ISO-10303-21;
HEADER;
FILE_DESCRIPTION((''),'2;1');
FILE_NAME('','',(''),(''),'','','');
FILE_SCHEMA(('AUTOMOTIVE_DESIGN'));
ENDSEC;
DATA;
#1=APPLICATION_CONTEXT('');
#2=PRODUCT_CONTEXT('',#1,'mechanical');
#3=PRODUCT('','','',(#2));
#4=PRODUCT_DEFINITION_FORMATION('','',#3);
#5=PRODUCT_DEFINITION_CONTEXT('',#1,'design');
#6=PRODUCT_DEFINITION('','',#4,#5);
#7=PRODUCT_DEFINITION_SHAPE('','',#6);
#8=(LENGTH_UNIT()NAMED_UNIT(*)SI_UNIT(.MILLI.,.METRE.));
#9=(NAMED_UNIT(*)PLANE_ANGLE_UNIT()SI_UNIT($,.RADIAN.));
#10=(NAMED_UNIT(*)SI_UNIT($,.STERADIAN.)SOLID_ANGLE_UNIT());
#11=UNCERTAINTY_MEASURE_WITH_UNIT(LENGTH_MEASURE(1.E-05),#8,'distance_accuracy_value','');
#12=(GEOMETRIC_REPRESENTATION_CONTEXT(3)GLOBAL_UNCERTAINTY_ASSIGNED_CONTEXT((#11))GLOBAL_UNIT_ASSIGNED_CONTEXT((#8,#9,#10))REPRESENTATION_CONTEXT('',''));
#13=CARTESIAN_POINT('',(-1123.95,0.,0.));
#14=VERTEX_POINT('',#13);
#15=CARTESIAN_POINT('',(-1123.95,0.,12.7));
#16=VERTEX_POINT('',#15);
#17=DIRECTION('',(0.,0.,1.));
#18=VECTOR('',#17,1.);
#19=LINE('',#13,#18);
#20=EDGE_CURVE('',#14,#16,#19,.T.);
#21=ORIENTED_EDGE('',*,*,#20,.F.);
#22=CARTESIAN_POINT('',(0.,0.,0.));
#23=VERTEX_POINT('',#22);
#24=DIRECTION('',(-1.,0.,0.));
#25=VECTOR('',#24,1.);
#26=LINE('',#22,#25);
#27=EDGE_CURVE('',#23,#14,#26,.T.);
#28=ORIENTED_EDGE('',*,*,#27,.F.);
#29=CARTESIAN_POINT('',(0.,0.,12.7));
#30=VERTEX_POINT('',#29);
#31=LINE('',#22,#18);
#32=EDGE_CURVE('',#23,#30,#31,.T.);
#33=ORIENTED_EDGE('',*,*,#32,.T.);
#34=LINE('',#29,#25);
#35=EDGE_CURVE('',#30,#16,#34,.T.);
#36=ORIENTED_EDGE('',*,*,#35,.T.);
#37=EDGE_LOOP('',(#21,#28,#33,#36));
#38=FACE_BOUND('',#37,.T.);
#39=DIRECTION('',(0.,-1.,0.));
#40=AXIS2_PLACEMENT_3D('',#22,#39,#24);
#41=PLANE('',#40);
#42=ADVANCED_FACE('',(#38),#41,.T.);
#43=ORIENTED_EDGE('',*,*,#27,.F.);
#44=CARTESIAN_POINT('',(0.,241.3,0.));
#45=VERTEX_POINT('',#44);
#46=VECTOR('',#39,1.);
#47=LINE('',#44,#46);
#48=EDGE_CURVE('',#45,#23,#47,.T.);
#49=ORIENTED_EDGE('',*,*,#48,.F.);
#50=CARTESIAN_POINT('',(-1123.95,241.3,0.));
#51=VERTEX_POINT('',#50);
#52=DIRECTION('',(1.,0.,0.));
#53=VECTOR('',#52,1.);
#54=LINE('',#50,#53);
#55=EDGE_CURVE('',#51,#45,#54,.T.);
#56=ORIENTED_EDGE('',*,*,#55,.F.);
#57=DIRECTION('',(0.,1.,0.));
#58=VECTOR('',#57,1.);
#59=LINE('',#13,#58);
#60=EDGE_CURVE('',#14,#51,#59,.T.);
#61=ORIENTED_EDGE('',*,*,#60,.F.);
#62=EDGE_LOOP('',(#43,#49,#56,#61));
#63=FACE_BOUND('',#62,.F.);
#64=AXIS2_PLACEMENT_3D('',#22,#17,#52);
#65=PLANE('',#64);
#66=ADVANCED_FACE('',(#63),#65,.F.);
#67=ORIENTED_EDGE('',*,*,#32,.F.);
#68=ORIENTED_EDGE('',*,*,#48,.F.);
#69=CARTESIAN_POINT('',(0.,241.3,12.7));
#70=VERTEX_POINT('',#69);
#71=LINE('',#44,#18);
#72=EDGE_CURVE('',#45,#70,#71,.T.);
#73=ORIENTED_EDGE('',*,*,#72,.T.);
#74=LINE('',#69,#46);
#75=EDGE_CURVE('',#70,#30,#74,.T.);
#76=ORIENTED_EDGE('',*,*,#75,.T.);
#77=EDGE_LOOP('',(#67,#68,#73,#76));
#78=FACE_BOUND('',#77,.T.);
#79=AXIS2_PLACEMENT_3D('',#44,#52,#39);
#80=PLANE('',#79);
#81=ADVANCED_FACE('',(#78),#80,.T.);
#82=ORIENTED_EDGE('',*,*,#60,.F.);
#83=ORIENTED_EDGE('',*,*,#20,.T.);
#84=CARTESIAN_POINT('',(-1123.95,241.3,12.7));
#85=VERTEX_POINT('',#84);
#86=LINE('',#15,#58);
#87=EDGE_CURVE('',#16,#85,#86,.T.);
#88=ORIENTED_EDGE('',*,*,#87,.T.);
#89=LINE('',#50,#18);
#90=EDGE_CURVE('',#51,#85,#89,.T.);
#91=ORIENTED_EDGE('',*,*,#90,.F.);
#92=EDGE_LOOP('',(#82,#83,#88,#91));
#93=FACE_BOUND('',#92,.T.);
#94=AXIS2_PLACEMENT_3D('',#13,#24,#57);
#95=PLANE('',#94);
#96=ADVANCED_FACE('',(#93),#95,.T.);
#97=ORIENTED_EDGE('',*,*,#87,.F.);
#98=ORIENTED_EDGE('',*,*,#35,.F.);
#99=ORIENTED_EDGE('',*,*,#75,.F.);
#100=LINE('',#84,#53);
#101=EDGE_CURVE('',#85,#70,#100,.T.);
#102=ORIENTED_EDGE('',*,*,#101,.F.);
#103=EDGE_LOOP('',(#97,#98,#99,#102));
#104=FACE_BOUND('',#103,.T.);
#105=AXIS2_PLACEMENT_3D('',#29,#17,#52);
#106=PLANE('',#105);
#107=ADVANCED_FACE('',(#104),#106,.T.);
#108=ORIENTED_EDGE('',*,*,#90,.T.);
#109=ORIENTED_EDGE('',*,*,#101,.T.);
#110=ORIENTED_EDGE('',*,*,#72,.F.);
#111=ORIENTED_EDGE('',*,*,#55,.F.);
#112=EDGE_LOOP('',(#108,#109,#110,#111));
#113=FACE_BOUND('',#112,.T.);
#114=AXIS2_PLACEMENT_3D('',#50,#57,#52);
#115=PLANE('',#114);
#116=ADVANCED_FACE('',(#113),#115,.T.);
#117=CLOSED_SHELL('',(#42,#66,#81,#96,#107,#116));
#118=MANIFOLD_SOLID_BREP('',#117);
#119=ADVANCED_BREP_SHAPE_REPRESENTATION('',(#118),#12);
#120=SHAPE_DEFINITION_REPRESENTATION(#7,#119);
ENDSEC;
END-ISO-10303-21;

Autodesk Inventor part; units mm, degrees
ref_plane "YZ Plane" through (0, 0, 0) normal (1, 0, 0) x (0, 1, 0)
ref_plane "XZ Plane" through (0, 0, 0) normal (0, 1, 0) x (-1, 0, 0)
ref_plane "XY Plane" through (0, 0, 0) normal (0, 0, 1) x (1, 0, 0)
sketch "Sketch1" plane through (0, 0, 0) normal (0, 0, 1) x (1, 0, 0)
  line L0 (0, 0) -> (-1123.95, 0)
  line L1 (-1123.95, 0) -> (-1123.95, 241.3)
  line L2 (-1123.95, 241.3) -> (0, 241.3)
  line L3 (0, 241.3) -> (0, 0)
  dimension "d0" = 241.3
  dimension "d1" = 1123.95
extrude "Extrusion1" add sketch "Sketch1" along normal blind 12.7
properties part number "GE-12103-04"
